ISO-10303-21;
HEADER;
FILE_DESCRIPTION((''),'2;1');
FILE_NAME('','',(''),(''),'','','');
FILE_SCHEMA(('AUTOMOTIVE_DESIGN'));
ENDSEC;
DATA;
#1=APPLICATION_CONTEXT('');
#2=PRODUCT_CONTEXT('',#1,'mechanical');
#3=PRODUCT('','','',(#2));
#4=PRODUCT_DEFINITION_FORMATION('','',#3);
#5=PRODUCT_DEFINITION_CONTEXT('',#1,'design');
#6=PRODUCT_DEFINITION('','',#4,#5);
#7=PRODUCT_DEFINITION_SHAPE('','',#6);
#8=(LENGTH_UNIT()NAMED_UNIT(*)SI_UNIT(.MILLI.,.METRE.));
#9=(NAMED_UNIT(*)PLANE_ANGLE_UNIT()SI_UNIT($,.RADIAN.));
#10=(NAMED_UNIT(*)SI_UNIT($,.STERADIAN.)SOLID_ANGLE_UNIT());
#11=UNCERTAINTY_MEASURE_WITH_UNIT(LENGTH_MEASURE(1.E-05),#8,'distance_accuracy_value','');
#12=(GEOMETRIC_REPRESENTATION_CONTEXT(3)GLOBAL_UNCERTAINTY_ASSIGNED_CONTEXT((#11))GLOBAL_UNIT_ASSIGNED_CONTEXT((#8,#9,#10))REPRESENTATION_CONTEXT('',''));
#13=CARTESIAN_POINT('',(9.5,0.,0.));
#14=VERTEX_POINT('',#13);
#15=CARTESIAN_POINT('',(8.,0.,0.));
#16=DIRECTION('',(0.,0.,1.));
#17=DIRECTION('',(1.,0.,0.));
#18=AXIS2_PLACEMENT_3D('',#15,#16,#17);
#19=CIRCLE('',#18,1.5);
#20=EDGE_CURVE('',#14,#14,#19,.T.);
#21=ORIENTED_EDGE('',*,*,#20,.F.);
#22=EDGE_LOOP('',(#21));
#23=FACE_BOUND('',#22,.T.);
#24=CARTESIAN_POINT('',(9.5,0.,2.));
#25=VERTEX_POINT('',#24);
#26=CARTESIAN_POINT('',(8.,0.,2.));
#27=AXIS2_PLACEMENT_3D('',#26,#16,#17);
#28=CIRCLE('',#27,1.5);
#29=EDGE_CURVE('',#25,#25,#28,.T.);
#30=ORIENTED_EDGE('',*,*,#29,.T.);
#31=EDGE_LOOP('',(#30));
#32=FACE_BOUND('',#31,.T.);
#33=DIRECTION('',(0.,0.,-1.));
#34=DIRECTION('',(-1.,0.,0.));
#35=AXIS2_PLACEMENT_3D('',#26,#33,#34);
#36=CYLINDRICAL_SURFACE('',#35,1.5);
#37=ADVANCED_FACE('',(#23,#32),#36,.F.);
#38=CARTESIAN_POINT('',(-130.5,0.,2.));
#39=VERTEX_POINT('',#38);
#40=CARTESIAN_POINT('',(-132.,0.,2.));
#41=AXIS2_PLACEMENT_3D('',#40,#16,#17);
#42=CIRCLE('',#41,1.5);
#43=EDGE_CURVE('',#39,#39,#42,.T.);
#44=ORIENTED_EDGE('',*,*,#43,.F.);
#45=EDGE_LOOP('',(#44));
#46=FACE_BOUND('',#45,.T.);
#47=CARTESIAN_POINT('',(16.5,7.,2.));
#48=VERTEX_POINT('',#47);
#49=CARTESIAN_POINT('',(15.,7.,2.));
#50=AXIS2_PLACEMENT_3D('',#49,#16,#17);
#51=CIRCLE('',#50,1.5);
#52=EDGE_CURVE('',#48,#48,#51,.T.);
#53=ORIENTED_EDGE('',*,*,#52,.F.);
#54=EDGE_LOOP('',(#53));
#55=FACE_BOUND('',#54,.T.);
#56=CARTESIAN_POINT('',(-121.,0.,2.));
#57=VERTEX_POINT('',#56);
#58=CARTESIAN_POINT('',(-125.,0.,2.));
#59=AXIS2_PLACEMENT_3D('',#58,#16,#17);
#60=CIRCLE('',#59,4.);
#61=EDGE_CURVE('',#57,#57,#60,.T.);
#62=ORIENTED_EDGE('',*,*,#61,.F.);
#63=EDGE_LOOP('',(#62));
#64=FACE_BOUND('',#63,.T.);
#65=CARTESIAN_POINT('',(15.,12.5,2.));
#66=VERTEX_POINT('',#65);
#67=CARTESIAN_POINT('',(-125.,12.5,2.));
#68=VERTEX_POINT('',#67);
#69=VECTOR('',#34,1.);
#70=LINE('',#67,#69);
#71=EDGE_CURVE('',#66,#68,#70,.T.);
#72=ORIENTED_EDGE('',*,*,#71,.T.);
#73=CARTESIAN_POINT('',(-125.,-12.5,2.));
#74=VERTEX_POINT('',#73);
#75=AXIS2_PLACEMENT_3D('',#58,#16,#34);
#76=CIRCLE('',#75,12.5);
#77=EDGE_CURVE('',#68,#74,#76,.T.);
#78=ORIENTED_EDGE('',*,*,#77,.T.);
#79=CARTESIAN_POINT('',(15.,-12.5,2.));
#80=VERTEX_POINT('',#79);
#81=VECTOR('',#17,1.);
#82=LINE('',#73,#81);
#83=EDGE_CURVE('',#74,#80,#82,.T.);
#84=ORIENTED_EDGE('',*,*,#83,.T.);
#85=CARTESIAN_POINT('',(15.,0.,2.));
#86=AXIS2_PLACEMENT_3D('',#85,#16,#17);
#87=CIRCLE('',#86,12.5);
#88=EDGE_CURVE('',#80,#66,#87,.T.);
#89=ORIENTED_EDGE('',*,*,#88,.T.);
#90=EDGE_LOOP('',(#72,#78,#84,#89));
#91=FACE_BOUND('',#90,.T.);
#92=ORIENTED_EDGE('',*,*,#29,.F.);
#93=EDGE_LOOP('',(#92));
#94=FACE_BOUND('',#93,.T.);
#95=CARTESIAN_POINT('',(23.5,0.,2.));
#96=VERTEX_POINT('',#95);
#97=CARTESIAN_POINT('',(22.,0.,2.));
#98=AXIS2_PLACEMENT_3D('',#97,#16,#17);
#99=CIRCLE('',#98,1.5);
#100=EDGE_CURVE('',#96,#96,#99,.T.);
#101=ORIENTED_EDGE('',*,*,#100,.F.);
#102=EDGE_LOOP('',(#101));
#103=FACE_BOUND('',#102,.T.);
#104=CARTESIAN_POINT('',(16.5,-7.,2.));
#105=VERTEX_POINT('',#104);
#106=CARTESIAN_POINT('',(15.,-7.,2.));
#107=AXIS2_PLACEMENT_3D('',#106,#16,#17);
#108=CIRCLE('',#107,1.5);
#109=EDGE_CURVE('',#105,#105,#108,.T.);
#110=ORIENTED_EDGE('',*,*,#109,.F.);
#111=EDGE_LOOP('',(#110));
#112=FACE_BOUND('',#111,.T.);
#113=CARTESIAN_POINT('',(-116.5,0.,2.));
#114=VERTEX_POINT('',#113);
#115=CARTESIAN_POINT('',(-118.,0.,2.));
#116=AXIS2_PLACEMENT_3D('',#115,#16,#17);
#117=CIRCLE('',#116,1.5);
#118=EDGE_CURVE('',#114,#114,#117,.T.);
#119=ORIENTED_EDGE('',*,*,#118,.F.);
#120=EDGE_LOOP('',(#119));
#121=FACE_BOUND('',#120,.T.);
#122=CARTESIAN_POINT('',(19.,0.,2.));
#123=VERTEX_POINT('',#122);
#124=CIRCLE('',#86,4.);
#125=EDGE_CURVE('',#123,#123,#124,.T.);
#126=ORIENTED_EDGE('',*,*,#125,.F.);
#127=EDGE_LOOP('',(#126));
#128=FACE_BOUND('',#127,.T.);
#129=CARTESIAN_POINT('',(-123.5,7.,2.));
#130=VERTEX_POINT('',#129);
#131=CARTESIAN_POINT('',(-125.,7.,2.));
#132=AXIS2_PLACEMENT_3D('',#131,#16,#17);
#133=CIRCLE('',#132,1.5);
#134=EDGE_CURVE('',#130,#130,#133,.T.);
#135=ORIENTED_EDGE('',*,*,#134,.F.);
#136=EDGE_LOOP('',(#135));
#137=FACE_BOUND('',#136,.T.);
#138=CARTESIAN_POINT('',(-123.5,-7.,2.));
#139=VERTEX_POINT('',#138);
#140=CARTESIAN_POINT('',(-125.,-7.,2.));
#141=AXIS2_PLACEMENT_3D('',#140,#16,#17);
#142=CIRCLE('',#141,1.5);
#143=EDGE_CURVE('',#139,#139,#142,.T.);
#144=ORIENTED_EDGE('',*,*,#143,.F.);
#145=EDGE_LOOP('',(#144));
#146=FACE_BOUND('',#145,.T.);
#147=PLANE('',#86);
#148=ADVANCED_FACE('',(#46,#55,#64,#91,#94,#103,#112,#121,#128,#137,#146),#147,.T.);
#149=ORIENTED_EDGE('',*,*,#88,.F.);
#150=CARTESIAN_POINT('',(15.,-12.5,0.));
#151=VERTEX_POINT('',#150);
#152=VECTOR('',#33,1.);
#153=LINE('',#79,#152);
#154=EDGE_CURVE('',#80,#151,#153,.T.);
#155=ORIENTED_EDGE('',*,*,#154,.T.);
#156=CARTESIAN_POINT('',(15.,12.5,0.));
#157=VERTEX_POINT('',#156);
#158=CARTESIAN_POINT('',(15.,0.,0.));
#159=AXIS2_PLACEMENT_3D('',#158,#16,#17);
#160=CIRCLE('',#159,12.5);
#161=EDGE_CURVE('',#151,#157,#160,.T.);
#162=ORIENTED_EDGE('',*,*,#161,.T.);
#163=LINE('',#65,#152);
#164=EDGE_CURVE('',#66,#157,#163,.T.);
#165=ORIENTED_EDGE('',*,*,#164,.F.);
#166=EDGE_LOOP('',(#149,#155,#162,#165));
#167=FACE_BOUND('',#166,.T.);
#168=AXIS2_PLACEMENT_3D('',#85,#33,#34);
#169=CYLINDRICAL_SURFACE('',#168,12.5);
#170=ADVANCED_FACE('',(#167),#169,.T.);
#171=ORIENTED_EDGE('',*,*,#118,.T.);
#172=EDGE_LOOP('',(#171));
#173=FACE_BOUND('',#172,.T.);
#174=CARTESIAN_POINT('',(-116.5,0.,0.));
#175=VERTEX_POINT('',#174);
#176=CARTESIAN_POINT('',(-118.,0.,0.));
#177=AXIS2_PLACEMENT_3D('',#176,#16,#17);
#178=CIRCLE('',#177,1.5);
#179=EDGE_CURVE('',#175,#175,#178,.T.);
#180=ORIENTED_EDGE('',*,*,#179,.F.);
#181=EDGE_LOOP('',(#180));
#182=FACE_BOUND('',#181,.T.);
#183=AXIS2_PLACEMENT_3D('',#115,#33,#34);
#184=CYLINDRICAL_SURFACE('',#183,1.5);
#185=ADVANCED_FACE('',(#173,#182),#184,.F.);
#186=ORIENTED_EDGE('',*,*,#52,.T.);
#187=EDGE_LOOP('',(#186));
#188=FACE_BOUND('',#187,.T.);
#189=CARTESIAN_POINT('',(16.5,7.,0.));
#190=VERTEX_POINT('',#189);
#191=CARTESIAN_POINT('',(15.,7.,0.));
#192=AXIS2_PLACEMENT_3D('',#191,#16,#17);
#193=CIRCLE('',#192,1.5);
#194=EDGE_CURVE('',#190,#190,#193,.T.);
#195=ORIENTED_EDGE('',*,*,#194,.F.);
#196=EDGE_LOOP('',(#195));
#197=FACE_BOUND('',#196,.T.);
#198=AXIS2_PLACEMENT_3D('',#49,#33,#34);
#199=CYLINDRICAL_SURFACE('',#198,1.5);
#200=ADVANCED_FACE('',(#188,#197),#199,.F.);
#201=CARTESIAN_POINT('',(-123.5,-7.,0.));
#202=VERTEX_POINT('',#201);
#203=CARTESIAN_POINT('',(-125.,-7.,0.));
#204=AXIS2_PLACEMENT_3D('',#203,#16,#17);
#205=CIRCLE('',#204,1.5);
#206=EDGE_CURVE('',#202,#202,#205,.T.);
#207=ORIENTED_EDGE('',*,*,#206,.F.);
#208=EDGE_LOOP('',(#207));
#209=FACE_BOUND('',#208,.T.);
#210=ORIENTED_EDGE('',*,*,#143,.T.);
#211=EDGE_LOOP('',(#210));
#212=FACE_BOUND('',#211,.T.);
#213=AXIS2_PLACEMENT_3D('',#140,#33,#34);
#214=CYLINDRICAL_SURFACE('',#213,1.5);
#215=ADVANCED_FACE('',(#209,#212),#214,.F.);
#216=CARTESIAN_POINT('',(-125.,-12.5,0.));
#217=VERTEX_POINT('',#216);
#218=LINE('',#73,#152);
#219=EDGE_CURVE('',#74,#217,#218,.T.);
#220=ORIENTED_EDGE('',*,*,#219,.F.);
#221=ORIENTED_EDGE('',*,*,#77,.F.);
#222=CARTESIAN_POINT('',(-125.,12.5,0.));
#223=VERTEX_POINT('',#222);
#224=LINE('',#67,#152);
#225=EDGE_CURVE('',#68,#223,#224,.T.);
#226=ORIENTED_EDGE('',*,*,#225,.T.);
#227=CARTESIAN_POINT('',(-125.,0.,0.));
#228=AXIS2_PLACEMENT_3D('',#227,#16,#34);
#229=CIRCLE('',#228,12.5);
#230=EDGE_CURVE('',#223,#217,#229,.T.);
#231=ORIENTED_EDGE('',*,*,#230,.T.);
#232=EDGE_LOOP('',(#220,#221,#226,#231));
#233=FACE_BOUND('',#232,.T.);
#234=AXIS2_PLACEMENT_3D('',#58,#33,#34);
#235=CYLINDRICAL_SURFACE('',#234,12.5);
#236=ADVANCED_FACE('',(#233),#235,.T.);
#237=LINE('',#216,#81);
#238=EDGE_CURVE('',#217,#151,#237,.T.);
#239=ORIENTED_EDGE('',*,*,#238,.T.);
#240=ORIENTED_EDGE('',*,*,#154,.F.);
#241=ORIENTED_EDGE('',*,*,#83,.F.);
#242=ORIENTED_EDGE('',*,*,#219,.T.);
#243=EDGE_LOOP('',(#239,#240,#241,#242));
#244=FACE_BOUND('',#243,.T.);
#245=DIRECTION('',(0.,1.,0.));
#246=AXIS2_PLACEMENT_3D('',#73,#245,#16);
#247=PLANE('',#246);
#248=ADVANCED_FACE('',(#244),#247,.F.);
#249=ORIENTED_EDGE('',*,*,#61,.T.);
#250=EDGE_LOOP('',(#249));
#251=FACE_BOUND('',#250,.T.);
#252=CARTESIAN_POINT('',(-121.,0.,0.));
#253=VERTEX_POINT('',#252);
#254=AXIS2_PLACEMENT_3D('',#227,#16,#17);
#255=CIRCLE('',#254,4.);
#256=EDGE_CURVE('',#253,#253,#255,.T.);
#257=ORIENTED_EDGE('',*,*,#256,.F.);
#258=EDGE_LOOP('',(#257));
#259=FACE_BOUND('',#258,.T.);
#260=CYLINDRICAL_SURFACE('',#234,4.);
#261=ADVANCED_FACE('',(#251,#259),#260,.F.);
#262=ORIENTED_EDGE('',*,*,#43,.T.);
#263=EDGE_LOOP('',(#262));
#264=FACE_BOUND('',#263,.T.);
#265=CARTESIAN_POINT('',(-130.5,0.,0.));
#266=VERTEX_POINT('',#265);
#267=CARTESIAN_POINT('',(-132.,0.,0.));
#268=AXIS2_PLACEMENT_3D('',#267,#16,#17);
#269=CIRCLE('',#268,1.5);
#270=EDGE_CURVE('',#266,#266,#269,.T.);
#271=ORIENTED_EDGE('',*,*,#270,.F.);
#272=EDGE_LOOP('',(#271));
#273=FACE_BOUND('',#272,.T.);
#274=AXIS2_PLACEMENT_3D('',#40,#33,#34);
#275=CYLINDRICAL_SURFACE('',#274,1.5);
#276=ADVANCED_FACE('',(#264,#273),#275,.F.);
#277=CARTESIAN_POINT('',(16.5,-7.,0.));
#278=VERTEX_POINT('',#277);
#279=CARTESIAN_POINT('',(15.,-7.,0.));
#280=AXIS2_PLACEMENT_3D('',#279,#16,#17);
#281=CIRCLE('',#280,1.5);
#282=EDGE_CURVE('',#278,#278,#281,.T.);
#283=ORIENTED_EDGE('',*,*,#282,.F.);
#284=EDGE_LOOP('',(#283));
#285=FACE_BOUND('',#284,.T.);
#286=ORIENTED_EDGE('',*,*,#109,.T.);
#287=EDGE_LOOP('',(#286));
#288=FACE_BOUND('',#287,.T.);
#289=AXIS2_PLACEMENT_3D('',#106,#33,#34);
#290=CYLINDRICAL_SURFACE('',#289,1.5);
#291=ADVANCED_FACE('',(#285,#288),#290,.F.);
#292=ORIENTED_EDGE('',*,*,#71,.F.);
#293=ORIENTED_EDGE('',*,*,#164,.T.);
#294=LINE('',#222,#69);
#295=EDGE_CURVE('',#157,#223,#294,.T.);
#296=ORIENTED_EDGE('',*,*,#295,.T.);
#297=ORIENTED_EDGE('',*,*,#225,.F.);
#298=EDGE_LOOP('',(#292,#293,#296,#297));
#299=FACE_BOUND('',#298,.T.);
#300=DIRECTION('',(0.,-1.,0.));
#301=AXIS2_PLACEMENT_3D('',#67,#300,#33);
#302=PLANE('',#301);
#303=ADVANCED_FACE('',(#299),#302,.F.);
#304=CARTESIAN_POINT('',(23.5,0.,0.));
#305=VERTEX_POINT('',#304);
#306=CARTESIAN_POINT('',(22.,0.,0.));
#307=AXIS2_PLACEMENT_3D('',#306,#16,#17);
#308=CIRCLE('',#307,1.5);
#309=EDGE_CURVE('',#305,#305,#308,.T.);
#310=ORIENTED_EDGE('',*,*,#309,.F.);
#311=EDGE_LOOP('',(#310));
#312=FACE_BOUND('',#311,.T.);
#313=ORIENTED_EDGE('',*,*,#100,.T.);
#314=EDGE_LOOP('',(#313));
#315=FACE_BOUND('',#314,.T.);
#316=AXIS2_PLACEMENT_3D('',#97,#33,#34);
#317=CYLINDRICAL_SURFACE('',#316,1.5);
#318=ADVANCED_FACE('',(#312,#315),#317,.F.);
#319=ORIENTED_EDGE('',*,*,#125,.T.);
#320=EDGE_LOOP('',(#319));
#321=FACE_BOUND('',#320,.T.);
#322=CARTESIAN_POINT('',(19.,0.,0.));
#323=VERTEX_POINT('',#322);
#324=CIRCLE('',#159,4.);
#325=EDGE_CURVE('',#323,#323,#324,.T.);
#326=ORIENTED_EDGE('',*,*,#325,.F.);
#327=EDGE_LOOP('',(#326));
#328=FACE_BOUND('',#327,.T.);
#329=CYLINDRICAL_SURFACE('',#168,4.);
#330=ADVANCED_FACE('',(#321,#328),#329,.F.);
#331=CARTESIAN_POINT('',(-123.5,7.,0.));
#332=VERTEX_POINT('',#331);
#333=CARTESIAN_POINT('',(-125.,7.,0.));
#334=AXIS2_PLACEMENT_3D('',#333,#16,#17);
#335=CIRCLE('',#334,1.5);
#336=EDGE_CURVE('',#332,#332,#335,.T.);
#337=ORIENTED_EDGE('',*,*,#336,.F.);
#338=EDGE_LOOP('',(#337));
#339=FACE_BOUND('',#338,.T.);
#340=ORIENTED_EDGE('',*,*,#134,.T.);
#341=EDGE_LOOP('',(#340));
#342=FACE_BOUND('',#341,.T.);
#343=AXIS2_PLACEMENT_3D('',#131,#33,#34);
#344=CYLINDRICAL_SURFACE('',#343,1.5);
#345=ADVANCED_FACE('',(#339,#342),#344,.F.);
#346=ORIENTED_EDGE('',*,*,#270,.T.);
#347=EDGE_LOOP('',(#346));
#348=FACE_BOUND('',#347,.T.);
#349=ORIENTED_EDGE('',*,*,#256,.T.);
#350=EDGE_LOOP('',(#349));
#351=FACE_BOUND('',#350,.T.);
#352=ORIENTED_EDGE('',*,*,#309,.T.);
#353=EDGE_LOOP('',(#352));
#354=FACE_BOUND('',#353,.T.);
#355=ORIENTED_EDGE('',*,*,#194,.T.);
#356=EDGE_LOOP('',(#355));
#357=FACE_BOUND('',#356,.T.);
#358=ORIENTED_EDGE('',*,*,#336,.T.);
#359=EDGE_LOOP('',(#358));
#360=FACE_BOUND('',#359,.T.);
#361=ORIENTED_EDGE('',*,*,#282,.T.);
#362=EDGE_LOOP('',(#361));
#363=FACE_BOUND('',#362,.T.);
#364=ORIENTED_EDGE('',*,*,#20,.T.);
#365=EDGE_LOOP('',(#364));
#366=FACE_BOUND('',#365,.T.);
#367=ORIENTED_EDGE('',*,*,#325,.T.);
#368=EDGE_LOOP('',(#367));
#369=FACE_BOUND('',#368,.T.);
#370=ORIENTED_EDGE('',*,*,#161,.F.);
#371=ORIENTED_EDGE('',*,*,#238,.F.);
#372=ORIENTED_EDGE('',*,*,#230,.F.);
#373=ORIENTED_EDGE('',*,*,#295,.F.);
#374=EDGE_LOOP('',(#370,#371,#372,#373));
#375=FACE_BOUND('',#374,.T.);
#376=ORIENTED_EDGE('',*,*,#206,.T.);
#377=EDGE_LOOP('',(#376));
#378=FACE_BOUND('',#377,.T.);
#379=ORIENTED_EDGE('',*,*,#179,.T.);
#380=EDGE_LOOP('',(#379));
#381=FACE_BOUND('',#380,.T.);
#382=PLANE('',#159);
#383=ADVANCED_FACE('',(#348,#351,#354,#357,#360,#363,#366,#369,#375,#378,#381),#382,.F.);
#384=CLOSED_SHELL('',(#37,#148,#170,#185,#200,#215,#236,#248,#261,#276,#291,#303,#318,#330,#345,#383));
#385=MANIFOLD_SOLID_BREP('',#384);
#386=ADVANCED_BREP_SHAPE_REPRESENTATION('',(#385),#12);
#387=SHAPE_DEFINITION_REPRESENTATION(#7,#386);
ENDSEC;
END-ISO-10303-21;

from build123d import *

# Parameters (mm, degrees)
SKETCH_1_R      = 4
SKETCH_1_R_2    = 1.5
EXTRUDE_1_DEPTH = 2


with BuildPart() as part:
    # 草图1 → 凸台-拉伸1 (new body)
    with BuildSketch(Plane.XY):
        with BuildLine():
            Line((-125, -12.5), (15, -12.5))
            ThreePointArc((15, -12.5), (27.5, 0), (15, 12.5))
            Line((15, 12.5), (-125, 12.5))
            ThreePointArc((-125, 12.5), (-137.5, 0), (-125, -12.5))
        make_face()
        with Locations((15, 0)):
            Circle(SKETCH_1_R, mode=Mode.SUBTRACT)
        with Locations((-125, 0)):
            Circle(SKETCH_1_R, mode=Mode.SUBTRACT)
        with Locations((-125, 7)):
            Circle(SKETCH_1_R_2, mode=Mode.SUBTRACT)
        with Locations((15, 7)):
            Circle(SKETCH_1_R_2, mode=Mode.SUBTRACT)
        with Locations((-118, 0)):
            Circle(SKETCH_1_R_2, mode=Mode.SUBTRACT)
        with Locations((-125, -7)):
            Circle(SKETCH_1_R_2, mode=Mode.SUBTRACT)
        with Locations((-132, 0)):
            Circle(SKETCH_1_R_2, mode=Mode.SUBTRACT)
        with Locations((22, 0)):
            Circle(SKETCH_1_R_2, mode=Mode.SUBTRACT)
        with Locations((15, -7)):
            Circle(SKETCH_1_R_2, mode=Mode.SUBTRACT)
        with Locations((8, 0)):
            Circle(SKETCH_1_R_2, mode=Mode.SUBTRACT)
    extrude(amount=EXTRUDE_1_DEPTH)


solid = part.part
